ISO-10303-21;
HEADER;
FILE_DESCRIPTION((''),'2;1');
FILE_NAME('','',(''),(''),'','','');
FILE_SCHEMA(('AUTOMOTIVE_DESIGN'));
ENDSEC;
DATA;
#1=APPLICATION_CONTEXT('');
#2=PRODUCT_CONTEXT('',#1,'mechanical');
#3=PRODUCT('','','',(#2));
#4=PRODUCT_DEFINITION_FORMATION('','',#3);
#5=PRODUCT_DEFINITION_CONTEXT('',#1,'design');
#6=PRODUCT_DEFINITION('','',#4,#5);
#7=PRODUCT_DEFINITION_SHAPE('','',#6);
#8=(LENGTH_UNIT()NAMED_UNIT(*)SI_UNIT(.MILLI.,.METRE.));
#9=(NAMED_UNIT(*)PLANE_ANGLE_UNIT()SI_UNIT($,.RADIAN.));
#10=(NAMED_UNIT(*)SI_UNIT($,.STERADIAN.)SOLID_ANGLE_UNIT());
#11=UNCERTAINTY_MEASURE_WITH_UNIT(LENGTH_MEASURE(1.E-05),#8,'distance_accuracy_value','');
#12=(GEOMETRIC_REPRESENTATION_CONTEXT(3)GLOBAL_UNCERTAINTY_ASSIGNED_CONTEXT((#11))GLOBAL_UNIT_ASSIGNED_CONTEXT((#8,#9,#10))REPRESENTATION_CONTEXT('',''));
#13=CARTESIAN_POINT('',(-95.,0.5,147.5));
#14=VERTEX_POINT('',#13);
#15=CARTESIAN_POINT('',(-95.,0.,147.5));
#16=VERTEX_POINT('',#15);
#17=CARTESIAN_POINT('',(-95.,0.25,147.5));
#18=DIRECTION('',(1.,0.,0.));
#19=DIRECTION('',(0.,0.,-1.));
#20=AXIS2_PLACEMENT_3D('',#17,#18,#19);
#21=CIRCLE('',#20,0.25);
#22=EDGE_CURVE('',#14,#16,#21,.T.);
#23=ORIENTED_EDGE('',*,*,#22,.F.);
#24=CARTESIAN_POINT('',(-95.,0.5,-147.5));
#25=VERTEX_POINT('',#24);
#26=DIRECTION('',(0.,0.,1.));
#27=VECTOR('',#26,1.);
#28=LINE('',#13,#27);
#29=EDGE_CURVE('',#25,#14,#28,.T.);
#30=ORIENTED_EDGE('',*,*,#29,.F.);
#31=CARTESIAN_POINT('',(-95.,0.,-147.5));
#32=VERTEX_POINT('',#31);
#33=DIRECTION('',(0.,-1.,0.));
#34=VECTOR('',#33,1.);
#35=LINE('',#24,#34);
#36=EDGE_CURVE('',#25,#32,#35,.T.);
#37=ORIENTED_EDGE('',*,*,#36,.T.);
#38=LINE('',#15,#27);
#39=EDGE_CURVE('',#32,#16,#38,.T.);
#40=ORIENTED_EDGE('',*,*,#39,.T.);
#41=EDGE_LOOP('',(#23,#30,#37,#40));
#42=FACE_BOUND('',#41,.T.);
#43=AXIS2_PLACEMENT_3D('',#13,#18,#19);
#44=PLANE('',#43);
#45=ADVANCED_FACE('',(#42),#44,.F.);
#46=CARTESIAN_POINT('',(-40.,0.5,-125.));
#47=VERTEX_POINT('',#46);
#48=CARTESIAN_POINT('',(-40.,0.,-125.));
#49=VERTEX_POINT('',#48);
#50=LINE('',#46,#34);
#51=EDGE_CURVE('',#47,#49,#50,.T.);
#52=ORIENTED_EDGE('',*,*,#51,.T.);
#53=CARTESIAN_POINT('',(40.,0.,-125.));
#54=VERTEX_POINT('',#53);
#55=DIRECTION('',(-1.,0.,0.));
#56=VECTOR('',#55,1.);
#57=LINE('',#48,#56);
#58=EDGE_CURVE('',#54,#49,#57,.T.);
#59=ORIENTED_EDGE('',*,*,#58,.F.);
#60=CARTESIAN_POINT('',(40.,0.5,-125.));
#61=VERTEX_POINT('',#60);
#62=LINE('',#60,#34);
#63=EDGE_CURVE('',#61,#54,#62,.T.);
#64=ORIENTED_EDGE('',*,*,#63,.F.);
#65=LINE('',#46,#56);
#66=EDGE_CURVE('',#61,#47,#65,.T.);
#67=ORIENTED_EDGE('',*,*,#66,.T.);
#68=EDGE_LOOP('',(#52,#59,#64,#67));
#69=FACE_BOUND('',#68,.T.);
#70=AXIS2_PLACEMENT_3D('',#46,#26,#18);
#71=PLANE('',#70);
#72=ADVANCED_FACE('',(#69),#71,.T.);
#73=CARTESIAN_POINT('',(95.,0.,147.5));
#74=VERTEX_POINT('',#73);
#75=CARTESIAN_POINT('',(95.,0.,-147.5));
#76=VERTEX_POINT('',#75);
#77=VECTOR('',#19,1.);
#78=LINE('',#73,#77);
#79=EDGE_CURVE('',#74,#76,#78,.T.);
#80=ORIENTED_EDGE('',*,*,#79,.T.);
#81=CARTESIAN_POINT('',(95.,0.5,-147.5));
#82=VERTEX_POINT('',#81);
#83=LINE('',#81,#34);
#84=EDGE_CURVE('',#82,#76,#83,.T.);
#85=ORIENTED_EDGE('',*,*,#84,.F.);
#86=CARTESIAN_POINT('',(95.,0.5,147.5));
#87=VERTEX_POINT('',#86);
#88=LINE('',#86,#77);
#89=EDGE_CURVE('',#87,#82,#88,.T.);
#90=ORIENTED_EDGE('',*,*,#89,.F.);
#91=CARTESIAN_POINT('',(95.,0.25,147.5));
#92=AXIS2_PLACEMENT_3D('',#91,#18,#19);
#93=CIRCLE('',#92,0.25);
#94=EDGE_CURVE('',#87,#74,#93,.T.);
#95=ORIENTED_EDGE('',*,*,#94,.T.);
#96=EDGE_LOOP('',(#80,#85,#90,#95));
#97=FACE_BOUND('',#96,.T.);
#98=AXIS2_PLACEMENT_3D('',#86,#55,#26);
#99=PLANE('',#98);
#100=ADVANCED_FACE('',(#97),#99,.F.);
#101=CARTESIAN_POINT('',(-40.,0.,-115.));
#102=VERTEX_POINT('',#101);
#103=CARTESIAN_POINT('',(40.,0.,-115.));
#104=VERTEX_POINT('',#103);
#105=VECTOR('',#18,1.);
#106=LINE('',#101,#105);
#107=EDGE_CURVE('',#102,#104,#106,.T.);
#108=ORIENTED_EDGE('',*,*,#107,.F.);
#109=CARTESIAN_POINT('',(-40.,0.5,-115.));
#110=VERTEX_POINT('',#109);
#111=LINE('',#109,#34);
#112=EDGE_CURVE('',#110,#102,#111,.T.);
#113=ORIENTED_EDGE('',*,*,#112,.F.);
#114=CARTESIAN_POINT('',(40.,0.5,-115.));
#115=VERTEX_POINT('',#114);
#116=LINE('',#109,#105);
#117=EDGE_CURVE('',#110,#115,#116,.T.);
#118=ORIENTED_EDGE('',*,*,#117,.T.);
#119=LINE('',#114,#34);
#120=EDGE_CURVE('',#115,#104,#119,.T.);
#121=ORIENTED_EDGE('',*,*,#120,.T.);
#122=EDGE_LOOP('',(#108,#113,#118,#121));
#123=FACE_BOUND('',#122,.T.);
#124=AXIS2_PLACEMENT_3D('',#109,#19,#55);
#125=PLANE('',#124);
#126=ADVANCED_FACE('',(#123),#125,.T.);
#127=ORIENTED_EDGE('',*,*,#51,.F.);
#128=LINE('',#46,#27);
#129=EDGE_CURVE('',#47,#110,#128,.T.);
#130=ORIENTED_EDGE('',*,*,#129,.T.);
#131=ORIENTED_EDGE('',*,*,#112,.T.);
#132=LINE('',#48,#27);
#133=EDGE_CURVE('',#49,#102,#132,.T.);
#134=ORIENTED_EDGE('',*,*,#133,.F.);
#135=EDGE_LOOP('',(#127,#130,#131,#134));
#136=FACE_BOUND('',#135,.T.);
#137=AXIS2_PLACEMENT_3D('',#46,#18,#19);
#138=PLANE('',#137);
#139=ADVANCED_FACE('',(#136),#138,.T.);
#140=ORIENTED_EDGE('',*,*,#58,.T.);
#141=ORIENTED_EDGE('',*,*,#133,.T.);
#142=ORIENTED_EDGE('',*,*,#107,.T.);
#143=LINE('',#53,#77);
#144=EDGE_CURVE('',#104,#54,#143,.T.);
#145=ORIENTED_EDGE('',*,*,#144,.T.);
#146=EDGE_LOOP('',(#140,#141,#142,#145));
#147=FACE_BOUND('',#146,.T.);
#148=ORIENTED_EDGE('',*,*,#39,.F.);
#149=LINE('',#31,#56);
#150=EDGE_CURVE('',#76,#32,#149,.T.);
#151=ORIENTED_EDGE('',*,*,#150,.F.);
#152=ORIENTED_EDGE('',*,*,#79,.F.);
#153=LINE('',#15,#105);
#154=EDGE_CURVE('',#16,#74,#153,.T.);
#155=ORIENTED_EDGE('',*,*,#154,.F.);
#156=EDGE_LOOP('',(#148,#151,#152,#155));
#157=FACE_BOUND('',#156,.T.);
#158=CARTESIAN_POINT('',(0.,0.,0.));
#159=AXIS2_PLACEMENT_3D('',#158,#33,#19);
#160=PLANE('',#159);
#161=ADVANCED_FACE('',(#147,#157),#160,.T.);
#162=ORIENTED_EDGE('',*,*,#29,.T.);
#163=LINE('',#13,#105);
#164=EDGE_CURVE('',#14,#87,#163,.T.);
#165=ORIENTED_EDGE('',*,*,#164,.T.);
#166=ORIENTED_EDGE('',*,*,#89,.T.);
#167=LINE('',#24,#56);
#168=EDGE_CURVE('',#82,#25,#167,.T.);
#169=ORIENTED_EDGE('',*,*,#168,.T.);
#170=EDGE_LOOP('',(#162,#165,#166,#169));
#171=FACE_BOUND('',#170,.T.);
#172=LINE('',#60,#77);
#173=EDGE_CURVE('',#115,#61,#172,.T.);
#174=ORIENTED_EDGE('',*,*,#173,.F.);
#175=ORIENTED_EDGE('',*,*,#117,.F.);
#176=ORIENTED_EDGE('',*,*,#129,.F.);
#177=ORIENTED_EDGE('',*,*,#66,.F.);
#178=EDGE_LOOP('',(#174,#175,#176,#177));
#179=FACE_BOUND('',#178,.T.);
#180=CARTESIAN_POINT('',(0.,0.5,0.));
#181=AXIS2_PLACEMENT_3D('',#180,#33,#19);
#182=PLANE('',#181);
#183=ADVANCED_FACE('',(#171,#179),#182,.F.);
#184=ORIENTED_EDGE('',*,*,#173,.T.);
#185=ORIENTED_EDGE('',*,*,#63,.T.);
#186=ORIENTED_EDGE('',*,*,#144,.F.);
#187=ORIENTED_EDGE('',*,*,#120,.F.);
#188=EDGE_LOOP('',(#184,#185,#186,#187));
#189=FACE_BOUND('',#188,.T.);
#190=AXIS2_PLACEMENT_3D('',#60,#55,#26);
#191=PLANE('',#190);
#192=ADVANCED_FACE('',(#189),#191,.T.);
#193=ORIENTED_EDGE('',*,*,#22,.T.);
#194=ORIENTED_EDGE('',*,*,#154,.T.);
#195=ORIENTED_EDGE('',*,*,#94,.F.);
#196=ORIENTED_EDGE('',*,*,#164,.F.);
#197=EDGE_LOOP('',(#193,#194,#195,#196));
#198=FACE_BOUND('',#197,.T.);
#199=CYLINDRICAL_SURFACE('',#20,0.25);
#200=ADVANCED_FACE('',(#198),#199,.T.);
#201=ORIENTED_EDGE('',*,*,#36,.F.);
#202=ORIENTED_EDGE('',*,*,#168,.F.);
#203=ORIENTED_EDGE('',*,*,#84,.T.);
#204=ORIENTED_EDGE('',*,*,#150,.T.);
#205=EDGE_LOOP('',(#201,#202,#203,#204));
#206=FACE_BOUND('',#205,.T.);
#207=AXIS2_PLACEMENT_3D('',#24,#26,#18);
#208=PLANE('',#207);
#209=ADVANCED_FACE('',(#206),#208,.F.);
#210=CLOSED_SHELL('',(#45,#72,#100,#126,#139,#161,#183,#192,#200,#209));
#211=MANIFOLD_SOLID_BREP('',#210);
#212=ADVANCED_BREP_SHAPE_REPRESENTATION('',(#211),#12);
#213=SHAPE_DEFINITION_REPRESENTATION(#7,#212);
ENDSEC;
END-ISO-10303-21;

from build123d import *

# Parameters (mm, degrees)
SKETCH1_W           = 190
SKETCH1_H           = 295
SKETCH1_W_2         = 80
SKETCH1_H_2         = 10
BOSS_EXTRUDE1_DEPTH = 0.5
BOSS_EXTRUDE2_DEPTH = 190


with BuildPart() as part:
    # Sketch1 → Boss-Extrude1 (new body)
    with BuildSketch(Plane(origin=(0, 0, 0), x_dir=(1, 0, 0), z_dir=(0, 1, 0))):
        Rectangle(SKETCH1_W, SKETCH1_H)
        with Locations((0, 120)):
            Rectangle(SKETCH1_W_2, SKETCH1_H_2, mode=Mode.SUBTRACT)
    extrude(amount=BOSS_EXTRUDE1_DEPTH)

    # Sketch2 → Boss-Extrude2 (add)
    with BuildSketch(Plane(origin=(95, 0, 0), x_dir=(0, 0, -1), z_dir=(1, 0, 0))):
        with BuildLine():
            Line((-147.5, 0.5), (-147.5, 0))
            ThreePointArc((-147.5, 0), (-147.75, 0.25), (-147.5, 0.5))
        make_face()
    extrude(amount=-BOSS_EXTRUDE2_DEPTH)


solid = part.part
